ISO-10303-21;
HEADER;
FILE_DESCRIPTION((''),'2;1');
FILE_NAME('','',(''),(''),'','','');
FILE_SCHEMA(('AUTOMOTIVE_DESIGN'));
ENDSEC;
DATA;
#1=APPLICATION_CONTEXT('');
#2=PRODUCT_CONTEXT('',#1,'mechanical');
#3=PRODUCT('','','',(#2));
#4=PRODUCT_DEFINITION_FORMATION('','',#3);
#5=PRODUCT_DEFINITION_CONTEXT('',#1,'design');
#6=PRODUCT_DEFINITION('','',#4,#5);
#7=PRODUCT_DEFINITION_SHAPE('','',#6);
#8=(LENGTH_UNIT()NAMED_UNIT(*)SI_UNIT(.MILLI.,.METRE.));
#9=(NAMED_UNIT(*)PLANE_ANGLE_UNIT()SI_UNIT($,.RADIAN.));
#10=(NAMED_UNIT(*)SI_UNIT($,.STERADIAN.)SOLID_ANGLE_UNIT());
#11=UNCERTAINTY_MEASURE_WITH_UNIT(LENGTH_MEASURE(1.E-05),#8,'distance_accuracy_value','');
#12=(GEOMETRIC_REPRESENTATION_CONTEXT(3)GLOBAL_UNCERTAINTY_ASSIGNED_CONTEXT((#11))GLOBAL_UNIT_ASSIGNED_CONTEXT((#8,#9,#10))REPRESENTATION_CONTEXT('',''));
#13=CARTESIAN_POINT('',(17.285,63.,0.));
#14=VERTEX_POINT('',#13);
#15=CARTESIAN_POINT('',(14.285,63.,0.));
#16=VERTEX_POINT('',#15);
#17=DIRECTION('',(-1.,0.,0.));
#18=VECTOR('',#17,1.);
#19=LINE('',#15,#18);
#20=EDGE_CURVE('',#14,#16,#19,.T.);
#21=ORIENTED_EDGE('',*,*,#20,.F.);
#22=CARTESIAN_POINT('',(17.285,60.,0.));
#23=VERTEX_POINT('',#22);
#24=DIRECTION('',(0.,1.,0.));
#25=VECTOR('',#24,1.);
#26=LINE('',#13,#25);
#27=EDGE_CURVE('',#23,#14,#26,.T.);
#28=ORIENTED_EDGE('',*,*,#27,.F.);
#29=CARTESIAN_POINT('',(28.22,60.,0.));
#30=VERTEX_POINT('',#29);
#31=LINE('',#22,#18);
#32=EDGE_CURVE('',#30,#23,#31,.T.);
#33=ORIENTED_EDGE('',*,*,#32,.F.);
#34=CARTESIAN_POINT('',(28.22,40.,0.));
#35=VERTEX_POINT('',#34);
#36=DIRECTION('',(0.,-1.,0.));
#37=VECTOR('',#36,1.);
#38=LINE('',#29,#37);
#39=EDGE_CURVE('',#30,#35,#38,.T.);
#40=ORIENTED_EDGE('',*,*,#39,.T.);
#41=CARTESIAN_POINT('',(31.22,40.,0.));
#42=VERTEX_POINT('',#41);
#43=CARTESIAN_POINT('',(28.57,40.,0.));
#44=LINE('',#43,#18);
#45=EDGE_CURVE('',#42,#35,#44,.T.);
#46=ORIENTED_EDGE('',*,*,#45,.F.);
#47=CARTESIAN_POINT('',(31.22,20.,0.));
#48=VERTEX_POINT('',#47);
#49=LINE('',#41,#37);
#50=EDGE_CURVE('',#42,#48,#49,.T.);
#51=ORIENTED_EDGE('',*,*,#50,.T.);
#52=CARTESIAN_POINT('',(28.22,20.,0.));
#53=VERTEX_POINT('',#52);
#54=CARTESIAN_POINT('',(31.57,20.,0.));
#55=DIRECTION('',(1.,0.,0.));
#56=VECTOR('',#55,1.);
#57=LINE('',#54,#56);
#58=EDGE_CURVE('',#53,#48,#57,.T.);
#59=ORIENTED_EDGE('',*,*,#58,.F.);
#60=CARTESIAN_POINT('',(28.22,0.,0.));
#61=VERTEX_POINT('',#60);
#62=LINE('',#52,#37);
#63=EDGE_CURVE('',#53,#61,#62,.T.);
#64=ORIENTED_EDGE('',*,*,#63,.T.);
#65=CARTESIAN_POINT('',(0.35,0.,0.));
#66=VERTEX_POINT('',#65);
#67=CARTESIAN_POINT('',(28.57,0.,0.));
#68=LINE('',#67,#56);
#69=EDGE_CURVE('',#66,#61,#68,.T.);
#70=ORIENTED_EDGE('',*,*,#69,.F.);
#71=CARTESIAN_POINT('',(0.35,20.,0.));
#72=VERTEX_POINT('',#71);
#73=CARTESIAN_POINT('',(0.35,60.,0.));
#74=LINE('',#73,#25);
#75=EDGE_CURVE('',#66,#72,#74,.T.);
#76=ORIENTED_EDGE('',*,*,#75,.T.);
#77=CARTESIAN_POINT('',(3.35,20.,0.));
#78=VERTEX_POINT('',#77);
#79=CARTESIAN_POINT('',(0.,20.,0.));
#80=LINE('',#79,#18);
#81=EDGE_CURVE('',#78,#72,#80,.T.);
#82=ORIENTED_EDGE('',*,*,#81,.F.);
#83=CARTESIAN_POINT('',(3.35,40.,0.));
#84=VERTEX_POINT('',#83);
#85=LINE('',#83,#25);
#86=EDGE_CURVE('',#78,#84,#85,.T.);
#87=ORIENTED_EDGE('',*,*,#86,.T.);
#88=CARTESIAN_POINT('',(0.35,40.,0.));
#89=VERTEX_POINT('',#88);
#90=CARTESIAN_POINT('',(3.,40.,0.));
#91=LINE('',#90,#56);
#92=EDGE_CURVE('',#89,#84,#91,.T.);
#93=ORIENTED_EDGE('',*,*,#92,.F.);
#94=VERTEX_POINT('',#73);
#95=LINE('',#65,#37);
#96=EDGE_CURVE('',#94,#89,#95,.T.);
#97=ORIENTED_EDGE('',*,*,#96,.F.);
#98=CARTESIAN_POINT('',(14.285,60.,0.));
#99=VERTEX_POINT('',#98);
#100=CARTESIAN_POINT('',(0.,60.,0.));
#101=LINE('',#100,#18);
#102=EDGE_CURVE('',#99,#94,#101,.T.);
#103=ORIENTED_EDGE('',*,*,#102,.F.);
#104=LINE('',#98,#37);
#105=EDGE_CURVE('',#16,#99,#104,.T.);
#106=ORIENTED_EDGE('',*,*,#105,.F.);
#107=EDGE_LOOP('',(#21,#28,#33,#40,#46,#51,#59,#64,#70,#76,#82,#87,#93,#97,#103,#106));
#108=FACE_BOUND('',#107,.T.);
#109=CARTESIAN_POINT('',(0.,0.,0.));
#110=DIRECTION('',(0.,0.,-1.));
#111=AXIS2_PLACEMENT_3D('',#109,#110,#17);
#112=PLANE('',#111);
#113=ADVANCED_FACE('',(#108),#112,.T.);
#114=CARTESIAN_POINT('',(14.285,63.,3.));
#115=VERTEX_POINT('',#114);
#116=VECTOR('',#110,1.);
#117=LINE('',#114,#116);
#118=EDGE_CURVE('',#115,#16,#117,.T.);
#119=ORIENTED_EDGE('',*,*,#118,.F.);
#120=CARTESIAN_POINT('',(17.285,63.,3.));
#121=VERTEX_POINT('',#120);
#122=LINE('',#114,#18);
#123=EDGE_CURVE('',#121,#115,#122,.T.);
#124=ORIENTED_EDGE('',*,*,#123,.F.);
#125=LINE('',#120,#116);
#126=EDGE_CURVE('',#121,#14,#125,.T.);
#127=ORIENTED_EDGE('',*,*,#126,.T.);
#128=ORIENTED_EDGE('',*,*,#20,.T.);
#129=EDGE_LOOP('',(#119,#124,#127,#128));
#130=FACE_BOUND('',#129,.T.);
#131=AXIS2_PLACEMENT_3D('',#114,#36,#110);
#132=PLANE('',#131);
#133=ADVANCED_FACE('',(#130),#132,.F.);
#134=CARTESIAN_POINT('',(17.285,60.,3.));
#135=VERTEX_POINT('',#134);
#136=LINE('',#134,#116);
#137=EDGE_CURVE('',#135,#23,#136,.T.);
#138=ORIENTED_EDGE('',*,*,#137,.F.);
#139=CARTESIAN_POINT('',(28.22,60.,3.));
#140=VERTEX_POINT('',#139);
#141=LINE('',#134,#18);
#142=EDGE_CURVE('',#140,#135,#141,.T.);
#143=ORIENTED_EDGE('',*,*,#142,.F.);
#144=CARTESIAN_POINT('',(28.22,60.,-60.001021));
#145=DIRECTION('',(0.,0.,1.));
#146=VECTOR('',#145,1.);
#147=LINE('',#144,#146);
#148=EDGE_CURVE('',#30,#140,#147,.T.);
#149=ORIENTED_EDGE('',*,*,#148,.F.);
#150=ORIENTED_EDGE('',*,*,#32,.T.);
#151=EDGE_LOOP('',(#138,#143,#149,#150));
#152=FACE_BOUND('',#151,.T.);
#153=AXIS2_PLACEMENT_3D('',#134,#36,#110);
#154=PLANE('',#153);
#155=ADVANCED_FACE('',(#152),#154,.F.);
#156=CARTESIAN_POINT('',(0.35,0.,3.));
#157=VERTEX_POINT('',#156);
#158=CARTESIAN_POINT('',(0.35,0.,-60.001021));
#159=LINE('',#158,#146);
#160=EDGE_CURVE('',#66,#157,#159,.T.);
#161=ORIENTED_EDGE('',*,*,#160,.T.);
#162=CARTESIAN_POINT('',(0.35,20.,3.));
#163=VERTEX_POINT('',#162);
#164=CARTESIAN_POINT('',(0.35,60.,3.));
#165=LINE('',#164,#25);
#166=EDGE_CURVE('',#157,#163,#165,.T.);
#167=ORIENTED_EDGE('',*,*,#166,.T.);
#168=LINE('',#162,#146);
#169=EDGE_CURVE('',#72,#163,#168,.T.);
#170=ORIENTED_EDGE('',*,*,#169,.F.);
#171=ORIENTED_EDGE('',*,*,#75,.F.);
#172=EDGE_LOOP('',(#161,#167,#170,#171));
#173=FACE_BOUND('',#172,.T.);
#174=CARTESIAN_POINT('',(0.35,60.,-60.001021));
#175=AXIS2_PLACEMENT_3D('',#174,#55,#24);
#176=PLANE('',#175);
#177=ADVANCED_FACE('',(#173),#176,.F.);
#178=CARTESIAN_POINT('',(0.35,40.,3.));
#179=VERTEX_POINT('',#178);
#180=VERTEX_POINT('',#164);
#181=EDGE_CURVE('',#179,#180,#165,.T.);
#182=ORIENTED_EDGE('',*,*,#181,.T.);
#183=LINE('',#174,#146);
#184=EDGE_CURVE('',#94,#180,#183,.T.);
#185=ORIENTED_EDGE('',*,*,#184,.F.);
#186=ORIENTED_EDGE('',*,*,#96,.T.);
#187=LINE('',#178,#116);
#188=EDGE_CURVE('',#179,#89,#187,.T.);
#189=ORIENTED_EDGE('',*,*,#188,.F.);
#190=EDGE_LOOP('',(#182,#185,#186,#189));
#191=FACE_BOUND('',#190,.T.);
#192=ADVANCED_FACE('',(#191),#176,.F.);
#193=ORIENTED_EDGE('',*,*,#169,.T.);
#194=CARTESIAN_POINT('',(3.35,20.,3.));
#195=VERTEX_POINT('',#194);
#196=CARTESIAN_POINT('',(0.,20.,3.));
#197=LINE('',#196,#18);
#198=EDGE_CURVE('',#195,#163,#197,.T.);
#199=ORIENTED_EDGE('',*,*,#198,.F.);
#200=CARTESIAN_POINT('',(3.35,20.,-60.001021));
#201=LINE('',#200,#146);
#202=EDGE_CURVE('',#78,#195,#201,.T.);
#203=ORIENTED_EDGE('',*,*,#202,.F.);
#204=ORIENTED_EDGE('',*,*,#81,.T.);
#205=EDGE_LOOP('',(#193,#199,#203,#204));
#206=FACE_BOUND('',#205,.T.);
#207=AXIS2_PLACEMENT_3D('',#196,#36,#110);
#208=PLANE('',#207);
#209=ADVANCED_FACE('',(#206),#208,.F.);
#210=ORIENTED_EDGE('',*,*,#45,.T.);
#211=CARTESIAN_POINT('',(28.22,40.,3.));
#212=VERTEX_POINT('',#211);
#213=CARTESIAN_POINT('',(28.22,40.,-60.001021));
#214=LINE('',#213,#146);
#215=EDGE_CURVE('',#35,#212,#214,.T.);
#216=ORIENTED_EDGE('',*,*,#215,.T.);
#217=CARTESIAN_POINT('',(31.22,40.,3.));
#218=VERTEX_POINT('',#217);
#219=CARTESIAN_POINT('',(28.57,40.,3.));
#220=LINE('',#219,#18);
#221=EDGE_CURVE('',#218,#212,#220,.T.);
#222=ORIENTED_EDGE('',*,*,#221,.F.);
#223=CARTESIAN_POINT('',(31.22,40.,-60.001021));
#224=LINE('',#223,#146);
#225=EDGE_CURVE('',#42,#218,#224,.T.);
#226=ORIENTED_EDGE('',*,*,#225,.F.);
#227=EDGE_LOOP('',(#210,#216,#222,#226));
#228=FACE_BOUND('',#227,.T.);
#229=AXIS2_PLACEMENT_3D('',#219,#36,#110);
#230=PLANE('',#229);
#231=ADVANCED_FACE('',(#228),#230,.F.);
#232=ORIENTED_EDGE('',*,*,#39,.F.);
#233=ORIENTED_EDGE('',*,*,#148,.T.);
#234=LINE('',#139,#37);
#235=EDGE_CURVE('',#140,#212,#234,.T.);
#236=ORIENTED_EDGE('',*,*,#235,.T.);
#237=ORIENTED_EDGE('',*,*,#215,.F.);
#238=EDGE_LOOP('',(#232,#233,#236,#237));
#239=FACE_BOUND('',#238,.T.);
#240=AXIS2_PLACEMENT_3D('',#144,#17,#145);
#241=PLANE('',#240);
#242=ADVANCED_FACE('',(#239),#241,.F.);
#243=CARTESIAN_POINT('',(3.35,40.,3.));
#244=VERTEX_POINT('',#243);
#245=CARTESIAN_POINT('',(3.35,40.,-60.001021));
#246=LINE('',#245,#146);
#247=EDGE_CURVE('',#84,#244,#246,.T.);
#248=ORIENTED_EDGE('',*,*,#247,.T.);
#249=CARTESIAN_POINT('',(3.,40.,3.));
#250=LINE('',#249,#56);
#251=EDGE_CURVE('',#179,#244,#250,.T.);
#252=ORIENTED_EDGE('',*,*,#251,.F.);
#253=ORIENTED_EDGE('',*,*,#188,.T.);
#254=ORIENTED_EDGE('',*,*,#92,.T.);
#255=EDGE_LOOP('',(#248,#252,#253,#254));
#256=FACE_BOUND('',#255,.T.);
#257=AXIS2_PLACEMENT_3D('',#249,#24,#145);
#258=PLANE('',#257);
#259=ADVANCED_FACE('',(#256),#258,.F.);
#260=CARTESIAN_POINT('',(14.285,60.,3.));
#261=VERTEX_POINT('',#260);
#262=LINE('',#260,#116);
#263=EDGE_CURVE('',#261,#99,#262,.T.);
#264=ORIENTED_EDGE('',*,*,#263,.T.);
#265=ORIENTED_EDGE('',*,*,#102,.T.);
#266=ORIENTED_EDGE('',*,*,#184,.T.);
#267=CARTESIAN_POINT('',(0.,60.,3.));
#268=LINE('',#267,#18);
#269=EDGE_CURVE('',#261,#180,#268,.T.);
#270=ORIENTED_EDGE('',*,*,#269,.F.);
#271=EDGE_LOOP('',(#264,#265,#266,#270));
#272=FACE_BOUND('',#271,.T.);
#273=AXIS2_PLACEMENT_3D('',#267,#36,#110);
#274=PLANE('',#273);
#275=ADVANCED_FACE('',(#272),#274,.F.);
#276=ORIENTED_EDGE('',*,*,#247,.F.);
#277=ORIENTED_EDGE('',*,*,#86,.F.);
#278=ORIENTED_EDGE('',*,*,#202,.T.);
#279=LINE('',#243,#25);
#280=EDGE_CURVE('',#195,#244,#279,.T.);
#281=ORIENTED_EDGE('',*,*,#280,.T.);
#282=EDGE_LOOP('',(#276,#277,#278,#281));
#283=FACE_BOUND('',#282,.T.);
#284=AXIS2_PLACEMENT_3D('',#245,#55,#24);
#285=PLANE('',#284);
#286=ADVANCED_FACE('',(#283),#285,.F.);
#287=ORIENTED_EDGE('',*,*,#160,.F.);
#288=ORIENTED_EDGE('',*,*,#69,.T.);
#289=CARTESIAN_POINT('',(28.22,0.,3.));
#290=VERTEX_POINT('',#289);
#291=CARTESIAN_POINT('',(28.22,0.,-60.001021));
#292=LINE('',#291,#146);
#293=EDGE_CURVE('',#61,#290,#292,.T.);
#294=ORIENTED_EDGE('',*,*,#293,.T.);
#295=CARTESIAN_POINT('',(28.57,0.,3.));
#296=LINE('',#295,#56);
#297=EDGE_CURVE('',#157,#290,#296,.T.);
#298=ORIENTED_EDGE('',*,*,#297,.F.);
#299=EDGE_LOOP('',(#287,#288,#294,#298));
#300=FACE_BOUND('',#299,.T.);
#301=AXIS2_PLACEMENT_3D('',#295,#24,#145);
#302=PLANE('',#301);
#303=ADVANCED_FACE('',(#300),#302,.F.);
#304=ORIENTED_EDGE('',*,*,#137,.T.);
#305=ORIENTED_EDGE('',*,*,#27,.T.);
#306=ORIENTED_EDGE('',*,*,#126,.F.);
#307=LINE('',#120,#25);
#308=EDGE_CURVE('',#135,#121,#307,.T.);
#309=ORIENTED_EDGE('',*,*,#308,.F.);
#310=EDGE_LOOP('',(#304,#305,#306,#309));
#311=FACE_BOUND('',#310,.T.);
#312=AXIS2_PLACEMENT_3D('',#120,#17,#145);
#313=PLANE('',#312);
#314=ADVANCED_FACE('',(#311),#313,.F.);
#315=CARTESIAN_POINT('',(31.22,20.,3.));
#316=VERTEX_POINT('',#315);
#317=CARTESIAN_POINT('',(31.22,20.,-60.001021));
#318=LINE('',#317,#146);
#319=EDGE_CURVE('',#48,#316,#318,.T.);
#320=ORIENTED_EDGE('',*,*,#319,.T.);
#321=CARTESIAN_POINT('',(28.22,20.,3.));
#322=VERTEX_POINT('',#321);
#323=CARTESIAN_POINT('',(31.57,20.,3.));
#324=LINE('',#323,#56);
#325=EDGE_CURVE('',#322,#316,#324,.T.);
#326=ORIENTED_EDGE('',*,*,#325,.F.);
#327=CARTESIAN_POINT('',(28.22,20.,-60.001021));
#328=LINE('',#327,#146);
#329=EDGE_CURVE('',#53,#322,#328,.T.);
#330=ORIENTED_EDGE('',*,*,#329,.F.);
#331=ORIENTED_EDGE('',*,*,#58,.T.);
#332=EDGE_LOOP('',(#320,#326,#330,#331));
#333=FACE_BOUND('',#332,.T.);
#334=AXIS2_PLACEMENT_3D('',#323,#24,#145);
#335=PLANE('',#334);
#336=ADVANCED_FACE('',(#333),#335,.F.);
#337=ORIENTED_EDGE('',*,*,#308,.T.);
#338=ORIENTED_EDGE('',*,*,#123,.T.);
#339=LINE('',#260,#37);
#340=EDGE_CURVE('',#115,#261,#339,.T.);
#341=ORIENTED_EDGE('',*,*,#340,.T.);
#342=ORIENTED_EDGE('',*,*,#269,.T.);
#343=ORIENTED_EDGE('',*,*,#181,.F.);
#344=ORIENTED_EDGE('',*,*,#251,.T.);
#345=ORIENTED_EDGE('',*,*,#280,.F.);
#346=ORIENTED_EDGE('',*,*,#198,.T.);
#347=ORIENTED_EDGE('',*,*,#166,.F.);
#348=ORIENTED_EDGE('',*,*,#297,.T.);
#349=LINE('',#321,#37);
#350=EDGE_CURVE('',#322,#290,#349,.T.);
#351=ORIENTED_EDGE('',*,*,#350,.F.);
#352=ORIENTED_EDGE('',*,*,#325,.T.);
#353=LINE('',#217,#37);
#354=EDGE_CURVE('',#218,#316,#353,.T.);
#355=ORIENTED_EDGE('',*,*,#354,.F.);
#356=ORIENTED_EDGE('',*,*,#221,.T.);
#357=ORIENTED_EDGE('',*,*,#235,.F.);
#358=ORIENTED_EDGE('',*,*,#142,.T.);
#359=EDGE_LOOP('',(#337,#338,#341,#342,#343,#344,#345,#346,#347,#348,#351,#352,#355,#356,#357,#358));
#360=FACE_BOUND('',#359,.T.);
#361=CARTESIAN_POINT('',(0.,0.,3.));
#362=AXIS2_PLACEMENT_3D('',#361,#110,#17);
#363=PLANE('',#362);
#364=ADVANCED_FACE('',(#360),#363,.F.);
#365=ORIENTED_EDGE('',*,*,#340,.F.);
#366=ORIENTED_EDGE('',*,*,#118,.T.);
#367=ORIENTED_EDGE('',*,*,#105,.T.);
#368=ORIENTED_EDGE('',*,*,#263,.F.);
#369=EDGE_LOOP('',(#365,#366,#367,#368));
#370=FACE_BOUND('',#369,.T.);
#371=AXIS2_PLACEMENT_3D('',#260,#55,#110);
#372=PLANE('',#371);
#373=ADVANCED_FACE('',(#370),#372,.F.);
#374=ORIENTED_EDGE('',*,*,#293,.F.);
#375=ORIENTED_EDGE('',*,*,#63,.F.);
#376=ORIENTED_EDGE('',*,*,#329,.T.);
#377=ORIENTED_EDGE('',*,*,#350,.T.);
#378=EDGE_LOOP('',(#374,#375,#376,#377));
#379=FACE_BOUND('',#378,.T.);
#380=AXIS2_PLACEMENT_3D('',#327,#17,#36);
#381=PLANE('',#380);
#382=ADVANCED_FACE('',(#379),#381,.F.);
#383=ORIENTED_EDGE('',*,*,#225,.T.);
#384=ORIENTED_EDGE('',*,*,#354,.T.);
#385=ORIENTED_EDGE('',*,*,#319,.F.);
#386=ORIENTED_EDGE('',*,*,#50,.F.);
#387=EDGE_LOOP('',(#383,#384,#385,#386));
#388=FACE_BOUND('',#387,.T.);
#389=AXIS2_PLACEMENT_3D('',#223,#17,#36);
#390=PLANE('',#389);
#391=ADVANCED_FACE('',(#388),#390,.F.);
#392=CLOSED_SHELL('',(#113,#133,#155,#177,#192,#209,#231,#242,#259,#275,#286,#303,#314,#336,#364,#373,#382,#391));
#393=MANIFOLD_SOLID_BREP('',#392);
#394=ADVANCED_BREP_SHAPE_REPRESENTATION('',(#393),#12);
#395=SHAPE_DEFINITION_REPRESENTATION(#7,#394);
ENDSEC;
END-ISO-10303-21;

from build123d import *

# Parameters (mm, degrees)
PLATE_THICKNESS_3MM_DEPTH = 3
SKETCH_1_W                = 0.35
SKETCH_1_H                = 60
SKETCH_1_H_2              = 20
CUT_EXTRUDE_1_DEPTH       = 3


with BuildPart() as part:
    # Sketch1 → Plate_thickness_3mm (new body)
    with BuildSketch(Plane.XY):
        Polygon((28.57, 0), (0, 0), (0, 20), (3, 20), (3, 40), (0, 40), (0, 60), (14.285, 60), (14.285, 63), (17.285, 63), (17.285, 60), (28.57, 60), (28.57, 40), (31.57, 40), (31.57, 20), (28.57, 20), align=None)
    extrude(amount=PLATE_THICKNESS_3MM_DEPTH)

    # 草图1 → 切除-拉伸1 (cut)
    with BuildSketch(Plane.XY.offset(3)):
        with Locations((0.175, 30)):
            Rectangle(SKETCH_1_W, SKETCH_1_H)
        with Locations((3.175, 30)):
            Rectangle(SKETCH_1_W, SKETCH_1_H_2)
        with Locations((28.395, 50)):
            Rectangle(SKETCH_1_W, SKETCH_1_H_2)
        with Locations((31.395, 30)):
            Rectangle(SKETCH_1_W, SKETCH_1_H_2)
        with Locations((28.395, 10)):
            Rectangle(SKETCH_1_W, SKETCH_1_H_2)
    extrude(amount=-CUT_EXTRUDE_1_DEPTH, mode=Mode.SUBTRACT)


solid = part.part
